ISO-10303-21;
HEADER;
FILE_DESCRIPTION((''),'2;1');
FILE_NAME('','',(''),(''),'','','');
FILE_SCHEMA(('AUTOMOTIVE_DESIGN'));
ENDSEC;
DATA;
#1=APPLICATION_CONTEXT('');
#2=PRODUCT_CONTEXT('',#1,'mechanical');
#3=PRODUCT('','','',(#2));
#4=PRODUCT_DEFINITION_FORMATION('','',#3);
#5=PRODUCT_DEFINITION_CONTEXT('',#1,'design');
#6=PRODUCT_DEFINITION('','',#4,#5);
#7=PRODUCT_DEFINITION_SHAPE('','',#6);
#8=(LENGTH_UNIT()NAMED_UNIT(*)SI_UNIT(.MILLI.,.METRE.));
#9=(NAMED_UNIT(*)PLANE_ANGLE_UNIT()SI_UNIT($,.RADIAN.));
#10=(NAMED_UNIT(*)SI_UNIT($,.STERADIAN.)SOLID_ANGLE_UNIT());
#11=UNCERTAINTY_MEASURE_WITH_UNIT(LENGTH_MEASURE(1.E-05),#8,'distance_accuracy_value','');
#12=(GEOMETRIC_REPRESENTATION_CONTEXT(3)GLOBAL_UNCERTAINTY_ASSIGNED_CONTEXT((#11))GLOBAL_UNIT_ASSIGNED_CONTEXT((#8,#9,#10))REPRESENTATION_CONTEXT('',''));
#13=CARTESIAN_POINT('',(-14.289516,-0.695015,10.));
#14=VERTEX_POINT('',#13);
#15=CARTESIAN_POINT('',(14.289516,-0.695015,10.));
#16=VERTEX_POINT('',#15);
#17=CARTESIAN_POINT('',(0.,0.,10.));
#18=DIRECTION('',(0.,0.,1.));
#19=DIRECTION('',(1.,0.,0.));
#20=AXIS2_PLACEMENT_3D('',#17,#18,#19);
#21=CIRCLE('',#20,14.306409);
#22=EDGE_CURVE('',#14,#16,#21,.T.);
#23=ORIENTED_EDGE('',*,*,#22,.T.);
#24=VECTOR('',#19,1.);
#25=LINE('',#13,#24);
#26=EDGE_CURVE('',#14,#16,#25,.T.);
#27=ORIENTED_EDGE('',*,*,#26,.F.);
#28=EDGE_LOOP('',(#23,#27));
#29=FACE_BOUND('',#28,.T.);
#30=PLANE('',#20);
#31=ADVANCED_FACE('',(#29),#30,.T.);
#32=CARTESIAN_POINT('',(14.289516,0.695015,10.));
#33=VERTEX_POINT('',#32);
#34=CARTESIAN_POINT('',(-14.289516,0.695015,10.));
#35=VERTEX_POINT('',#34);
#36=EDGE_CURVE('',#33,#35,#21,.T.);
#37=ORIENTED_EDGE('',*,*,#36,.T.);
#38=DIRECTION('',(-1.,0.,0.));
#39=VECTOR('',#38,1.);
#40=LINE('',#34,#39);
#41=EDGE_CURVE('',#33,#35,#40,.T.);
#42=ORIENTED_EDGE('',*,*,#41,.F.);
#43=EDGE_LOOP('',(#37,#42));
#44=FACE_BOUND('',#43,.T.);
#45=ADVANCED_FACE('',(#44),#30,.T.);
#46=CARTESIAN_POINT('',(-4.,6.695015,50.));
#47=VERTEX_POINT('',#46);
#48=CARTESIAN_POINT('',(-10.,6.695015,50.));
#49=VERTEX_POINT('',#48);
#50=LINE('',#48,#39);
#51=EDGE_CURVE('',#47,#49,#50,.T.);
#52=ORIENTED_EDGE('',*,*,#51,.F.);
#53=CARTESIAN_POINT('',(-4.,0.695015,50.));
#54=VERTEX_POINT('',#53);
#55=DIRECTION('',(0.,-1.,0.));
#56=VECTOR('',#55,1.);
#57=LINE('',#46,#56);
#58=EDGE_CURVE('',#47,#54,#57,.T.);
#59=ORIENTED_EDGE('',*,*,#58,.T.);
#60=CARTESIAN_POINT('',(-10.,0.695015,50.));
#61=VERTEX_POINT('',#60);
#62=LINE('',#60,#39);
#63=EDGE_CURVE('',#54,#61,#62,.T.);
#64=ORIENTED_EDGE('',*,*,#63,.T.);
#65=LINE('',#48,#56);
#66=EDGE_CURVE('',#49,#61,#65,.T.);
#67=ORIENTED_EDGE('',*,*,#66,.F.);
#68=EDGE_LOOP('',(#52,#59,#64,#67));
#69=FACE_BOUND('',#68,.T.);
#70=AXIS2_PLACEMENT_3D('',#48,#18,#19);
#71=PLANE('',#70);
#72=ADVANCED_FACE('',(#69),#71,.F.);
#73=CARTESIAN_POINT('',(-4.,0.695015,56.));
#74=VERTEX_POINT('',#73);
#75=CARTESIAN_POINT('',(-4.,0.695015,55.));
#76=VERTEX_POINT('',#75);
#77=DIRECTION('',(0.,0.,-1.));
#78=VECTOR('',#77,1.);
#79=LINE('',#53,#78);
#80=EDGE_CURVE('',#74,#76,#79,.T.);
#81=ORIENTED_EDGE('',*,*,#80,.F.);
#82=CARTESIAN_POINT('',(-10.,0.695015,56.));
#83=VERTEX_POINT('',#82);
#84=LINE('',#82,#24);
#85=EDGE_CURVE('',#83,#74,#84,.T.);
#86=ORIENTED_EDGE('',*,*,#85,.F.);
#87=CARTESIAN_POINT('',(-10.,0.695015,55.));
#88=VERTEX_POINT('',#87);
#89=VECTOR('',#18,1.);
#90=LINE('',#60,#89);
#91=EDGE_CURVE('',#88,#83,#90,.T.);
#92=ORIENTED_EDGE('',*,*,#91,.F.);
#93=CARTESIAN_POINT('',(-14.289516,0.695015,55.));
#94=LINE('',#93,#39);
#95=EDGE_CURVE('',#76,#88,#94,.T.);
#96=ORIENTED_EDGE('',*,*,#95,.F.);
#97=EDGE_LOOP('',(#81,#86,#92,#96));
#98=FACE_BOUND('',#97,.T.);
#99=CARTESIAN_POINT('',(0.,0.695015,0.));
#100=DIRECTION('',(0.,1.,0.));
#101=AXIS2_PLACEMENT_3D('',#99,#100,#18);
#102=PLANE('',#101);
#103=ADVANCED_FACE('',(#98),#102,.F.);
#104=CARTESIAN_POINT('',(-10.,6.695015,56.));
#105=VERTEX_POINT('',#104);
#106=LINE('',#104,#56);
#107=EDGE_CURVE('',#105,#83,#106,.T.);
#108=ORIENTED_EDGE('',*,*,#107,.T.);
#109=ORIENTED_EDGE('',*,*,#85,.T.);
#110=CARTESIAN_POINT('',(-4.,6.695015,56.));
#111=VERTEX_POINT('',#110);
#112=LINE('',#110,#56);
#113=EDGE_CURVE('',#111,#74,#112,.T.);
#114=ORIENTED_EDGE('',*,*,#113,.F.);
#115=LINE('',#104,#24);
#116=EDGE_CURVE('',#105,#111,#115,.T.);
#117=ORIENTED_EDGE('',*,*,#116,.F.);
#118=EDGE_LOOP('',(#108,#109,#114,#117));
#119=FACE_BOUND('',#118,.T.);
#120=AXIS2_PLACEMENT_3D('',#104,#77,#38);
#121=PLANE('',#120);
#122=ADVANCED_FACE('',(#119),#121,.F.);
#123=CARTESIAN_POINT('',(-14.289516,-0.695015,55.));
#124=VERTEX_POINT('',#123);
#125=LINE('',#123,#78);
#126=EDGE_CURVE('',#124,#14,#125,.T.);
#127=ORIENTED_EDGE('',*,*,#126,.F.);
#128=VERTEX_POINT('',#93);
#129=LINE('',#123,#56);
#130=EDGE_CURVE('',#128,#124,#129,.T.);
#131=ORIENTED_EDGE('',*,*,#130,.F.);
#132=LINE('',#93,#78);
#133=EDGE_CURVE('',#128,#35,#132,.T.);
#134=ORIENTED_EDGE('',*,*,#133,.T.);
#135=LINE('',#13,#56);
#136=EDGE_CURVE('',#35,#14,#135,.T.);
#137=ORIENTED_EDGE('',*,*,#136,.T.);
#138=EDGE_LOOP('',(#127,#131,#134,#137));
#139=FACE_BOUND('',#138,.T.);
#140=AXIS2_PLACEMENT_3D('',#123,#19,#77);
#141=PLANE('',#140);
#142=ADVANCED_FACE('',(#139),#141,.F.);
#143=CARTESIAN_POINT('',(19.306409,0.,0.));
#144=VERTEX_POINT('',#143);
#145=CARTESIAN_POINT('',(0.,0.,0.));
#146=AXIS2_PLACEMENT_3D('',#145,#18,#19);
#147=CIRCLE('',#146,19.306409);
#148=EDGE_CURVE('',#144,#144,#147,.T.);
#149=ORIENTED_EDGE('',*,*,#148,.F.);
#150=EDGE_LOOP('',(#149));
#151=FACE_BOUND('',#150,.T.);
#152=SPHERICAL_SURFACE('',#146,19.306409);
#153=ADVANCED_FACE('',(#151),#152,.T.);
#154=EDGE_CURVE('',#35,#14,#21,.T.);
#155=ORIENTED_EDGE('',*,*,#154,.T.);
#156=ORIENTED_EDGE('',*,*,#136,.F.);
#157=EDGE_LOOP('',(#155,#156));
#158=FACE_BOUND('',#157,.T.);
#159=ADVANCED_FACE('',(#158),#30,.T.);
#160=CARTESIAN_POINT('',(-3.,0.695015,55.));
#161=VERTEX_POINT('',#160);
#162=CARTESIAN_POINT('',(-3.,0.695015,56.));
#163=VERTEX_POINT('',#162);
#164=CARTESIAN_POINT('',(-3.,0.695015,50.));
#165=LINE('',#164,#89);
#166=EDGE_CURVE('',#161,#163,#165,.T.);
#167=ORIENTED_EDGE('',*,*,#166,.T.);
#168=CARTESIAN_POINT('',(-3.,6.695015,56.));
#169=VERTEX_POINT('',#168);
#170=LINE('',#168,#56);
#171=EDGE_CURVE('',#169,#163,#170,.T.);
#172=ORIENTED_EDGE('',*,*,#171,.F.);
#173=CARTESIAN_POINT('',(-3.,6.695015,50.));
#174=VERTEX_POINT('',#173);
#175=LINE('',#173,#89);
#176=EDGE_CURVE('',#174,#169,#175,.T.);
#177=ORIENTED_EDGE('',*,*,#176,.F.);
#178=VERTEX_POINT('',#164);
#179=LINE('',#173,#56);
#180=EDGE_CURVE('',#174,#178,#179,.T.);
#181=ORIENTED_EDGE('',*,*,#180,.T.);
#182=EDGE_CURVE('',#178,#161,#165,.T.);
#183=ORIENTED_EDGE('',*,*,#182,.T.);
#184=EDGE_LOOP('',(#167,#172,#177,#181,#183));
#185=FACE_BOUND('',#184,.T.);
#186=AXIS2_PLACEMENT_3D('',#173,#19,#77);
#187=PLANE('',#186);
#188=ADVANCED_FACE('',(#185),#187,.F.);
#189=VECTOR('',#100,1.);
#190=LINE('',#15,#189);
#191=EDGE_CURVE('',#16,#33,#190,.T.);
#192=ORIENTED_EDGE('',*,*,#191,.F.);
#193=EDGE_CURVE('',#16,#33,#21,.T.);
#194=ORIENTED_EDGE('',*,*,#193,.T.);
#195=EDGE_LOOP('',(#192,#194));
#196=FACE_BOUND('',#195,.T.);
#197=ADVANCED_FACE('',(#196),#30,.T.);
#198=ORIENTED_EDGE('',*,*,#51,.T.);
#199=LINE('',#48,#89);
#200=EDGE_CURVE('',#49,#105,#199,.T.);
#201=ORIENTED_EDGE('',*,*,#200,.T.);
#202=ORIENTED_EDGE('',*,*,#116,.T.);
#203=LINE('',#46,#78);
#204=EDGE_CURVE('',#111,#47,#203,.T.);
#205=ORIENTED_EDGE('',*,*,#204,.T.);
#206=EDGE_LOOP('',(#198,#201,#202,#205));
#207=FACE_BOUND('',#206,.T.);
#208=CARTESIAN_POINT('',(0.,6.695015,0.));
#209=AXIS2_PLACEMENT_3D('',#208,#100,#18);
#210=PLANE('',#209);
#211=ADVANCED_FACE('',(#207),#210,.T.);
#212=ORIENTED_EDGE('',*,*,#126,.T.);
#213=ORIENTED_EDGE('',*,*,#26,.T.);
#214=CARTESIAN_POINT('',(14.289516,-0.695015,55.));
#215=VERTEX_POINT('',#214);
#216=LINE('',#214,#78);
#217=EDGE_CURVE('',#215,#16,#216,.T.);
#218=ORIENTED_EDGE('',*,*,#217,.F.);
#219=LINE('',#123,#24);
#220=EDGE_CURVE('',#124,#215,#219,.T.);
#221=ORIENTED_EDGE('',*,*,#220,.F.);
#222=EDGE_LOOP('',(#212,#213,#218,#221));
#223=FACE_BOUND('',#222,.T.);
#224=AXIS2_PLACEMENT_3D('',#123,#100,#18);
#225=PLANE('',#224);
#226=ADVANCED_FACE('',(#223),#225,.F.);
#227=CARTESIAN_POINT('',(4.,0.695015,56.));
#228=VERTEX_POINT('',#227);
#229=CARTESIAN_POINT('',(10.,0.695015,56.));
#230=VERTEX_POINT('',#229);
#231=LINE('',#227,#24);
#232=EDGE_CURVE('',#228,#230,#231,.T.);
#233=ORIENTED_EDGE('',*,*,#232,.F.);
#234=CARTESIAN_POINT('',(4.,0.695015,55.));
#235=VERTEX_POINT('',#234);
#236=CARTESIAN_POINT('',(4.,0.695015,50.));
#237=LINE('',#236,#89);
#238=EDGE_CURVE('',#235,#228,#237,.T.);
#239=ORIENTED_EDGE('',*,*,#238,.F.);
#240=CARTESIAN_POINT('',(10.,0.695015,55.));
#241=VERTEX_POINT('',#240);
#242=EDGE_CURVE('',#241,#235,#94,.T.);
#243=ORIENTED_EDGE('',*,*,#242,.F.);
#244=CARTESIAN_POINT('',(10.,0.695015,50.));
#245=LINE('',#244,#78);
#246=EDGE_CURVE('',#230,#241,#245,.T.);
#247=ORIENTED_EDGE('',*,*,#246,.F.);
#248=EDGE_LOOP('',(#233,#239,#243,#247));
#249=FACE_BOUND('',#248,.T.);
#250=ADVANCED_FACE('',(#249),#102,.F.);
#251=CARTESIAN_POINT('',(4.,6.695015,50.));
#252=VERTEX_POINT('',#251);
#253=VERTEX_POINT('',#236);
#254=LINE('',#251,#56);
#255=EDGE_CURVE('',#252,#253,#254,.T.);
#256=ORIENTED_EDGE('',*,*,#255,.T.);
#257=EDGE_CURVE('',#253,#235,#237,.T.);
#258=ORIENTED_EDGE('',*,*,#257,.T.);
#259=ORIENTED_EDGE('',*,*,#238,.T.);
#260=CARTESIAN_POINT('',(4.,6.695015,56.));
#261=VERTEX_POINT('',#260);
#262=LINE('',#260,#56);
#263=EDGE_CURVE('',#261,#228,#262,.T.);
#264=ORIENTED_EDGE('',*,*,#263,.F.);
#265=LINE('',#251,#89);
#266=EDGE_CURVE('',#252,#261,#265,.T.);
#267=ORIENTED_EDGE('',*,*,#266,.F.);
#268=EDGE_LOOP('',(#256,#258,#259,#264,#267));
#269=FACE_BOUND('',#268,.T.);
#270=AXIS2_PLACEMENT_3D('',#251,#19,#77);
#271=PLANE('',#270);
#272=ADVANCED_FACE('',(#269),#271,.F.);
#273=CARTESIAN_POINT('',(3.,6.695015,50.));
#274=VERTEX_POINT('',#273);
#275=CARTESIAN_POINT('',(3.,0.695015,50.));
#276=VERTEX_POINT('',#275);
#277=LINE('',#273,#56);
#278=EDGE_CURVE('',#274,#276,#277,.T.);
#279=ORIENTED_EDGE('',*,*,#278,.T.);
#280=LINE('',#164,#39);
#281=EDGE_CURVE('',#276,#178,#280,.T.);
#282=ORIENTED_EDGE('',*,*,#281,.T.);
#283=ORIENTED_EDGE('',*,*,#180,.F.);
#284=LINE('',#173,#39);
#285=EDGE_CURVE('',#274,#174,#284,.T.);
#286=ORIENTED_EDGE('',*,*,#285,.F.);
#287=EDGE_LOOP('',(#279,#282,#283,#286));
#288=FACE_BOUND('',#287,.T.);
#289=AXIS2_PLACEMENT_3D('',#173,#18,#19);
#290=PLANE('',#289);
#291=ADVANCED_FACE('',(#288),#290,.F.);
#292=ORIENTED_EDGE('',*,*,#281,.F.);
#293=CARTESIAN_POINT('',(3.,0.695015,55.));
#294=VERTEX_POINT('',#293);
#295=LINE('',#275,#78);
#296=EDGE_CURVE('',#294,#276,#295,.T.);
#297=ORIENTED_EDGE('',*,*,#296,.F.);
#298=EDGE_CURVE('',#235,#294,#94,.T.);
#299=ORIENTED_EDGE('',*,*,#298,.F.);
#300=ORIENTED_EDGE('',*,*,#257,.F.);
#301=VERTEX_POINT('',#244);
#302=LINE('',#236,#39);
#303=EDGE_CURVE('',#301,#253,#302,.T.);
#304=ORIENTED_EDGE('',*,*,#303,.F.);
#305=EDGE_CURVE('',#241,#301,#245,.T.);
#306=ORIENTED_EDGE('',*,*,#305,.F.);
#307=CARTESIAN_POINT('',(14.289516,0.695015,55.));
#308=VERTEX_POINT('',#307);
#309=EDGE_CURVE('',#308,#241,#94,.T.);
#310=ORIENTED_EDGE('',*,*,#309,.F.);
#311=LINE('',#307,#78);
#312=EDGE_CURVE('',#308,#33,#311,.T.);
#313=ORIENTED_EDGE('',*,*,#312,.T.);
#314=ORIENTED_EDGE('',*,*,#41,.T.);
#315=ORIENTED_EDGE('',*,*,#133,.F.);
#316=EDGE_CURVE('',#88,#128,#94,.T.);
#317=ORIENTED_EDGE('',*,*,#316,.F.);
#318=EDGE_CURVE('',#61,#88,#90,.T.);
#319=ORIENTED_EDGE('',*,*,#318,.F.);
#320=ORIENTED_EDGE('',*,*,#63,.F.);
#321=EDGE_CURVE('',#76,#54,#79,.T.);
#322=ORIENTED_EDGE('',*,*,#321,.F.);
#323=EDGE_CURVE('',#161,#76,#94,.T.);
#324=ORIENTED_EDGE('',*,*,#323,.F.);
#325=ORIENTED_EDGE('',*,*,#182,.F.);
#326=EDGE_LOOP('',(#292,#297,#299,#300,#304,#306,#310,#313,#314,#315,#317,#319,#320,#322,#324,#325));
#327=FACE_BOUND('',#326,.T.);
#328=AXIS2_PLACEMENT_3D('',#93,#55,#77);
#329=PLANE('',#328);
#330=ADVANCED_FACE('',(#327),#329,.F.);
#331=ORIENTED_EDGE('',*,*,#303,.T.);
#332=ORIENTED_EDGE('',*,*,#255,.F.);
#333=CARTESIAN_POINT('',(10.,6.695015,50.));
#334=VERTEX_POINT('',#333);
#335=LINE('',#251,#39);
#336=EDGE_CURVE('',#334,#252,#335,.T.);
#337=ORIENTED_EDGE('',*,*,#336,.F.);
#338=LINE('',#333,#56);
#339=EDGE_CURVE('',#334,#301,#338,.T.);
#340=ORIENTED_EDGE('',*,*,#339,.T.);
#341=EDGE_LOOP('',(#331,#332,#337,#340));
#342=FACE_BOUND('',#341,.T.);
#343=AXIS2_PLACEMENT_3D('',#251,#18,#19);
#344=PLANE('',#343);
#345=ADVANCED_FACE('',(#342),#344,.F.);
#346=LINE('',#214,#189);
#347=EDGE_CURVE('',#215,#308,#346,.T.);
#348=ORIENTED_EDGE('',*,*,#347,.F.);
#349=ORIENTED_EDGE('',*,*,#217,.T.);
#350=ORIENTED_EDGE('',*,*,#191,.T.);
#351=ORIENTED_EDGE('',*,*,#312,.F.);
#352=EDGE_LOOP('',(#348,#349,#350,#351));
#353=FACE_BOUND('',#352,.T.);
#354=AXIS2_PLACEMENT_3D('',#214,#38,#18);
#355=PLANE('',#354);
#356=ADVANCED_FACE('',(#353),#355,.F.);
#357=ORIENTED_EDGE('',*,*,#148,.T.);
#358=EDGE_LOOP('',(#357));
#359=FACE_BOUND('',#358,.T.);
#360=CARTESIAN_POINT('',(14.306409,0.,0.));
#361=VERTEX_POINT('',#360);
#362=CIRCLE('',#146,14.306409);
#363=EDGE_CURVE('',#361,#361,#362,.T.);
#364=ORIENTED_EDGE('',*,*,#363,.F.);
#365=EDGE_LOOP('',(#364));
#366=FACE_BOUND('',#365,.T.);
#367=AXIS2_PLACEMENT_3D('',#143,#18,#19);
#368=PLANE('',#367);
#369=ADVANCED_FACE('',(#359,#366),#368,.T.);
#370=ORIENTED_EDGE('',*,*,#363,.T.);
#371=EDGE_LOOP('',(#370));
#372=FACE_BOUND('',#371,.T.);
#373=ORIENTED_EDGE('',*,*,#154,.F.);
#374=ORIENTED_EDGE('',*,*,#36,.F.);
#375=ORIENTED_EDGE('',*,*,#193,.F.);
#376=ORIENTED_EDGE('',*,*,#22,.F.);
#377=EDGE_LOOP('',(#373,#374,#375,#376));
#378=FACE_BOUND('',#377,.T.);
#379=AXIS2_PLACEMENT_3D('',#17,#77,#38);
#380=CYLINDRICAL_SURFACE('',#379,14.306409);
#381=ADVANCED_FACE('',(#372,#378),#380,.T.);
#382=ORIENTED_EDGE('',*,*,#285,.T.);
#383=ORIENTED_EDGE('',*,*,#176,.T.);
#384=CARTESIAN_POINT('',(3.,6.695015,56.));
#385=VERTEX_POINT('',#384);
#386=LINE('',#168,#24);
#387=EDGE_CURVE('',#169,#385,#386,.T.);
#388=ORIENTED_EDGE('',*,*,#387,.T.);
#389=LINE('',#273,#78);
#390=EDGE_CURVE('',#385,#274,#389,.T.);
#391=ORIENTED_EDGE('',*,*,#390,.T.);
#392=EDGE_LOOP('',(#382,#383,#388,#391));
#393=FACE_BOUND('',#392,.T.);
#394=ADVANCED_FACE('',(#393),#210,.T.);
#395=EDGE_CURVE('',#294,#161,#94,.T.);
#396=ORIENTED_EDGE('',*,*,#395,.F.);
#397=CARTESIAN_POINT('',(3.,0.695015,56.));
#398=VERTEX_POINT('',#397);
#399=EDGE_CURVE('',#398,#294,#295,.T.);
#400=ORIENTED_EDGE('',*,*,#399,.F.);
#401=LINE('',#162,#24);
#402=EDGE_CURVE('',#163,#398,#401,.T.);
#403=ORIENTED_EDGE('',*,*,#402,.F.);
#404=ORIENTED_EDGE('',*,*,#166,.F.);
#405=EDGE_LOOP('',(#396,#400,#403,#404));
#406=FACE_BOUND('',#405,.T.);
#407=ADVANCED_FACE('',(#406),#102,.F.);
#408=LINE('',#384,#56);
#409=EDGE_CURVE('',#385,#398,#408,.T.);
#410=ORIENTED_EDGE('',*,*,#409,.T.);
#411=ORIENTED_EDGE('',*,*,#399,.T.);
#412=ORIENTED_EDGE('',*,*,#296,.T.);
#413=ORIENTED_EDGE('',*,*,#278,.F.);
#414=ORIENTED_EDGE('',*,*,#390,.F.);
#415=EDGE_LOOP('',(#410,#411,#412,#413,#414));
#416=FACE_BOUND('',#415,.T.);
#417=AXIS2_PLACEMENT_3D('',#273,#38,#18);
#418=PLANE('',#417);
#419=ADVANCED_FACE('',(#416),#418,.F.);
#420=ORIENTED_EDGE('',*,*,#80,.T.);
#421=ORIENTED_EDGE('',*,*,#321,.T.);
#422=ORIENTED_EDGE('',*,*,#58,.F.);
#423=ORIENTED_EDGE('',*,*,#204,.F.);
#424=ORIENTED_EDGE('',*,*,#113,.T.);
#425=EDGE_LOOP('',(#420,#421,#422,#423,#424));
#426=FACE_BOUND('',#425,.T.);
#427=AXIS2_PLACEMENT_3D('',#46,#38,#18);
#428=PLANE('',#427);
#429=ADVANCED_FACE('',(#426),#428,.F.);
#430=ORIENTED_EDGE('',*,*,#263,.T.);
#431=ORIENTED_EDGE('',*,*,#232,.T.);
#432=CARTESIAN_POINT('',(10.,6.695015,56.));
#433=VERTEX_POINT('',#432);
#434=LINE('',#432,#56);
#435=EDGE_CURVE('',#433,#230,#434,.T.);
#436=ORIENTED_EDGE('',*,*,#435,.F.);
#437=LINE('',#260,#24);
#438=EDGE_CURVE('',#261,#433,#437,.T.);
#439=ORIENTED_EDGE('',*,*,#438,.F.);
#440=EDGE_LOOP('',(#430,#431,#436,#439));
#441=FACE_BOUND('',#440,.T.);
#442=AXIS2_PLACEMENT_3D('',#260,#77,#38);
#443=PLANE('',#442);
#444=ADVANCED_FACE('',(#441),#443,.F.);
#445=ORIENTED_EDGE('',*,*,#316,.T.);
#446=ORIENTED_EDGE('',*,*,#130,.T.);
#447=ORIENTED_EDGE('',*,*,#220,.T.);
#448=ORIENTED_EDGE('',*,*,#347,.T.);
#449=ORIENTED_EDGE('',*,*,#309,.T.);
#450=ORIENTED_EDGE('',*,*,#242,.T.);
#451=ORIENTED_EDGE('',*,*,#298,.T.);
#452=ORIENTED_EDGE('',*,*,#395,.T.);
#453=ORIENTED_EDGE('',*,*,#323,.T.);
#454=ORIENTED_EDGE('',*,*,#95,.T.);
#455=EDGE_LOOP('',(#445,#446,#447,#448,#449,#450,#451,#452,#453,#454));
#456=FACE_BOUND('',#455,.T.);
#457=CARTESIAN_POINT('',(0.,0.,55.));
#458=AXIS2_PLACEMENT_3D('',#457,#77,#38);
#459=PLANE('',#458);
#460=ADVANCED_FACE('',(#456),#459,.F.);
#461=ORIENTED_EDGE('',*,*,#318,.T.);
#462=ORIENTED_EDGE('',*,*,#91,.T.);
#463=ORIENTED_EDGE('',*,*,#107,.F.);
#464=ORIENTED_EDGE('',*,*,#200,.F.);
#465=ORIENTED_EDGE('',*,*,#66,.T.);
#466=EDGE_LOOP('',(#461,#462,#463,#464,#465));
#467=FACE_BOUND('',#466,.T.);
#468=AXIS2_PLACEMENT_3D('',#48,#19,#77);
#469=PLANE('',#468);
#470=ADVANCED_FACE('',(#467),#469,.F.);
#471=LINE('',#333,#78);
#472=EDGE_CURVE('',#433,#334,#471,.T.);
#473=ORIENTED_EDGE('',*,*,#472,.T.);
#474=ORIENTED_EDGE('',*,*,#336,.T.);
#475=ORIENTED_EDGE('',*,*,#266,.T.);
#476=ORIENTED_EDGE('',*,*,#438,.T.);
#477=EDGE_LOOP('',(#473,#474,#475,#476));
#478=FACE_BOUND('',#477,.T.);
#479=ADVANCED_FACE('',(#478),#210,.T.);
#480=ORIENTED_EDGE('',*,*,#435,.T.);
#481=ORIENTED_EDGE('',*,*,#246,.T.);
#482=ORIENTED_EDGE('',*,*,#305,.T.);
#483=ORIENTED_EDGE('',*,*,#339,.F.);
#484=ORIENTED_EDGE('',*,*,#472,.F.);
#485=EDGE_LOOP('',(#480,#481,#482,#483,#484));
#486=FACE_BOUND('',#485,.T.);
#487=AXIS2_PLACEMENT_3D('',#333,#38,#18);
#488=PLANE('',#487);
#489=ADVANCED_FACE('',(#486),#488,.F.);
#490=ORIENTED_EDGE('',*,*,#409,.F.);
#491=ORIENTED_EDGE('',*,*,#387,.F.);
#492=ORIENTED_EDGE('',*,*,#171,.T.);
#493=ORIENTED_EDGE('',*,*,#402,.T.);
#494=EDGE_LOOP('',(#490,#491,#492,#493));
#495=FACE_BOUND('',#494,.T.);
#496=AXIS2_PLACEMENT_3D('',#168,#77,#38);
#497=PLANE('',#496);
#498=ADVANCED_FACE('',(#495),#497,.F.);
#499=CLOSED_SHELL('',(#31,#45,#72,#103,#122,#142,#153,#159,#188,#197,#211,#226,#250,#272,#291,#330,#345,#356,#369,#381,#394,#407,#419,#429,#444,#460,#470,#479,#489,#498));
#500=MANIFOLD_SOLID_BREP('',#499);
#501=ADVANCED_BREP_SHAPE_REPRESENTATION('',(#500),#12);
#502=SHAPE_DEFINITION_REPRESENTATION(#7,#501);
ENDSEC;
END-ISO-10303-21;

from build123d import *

# Parameters (mm, degrees)
SKETCH2_R           = 14.306408623
BOSS_EXTRUDE1_DEPTH = 10
SKETCH3_W           = 28.579032966
SKETCH3_H           = 1.390030786
BOSS_EXTRUDE2_DEPTH = 45
SKETCH4_W           = 6
SKETCH4_H           = 6
BOSS_EXTRUDE3_DEPTH = 6


with BuildPart() as part:
    # Sketch1 → Revolve1 (revolve)
    with BuildSketch(Plane(origin=(0, 0, 0), x_dir=(1, 0, 0), z_dir=(0, 1, 0))):
        with BuildLine():
            Line((19.306408623, 0), (0, 0))
            Line((0, 0), (0, 19.306408623))
            ThreePointArc((0, 19.306408623), (13.651692458, 13.651692458), (19.306408623, 0))
        make_face()
    revolve(axis=Axis((0, 0, 0), (0, 0, -1)))

    # Sketch2 → Boss-Extrude1 (add)
    with BuildSketch(Plane.XY):
        Circle(SKETCH2_R)
    extrude(amount=BOSS_EXTRUDE1_DEPTH)

    # Sketch3 → Boss-Extrude2 (add)
    with BuildSketch(Plane.XY.offset(10)):
        Rectangle(SKETCH3_W, SKETCH3_H)
    extrude(amount=BOSS_EXTRUDE2_DEPTH)

    # Sketch4 → Boss-Extrude3 (add)
    with BuildSketch(Plane(origin=(0, 0.695015393, 0), x_dir=(1, 0, 0), z_dir=(0, 1, 0))):
        with Locations((7, -53)):
            Rectangle(SKETCH4_W, SKETCH4_H)
        with Locations((0, -53)):
            Rectangle(SKETCH4_W, SKETCH4_H)
        with Locations((-7, -53)):
            Rectangle(SKETCH4_W, SKETCH4_H)
    extrude(amount=BOSS_EXTRUDE3_DEPTH)


solid = part.part
